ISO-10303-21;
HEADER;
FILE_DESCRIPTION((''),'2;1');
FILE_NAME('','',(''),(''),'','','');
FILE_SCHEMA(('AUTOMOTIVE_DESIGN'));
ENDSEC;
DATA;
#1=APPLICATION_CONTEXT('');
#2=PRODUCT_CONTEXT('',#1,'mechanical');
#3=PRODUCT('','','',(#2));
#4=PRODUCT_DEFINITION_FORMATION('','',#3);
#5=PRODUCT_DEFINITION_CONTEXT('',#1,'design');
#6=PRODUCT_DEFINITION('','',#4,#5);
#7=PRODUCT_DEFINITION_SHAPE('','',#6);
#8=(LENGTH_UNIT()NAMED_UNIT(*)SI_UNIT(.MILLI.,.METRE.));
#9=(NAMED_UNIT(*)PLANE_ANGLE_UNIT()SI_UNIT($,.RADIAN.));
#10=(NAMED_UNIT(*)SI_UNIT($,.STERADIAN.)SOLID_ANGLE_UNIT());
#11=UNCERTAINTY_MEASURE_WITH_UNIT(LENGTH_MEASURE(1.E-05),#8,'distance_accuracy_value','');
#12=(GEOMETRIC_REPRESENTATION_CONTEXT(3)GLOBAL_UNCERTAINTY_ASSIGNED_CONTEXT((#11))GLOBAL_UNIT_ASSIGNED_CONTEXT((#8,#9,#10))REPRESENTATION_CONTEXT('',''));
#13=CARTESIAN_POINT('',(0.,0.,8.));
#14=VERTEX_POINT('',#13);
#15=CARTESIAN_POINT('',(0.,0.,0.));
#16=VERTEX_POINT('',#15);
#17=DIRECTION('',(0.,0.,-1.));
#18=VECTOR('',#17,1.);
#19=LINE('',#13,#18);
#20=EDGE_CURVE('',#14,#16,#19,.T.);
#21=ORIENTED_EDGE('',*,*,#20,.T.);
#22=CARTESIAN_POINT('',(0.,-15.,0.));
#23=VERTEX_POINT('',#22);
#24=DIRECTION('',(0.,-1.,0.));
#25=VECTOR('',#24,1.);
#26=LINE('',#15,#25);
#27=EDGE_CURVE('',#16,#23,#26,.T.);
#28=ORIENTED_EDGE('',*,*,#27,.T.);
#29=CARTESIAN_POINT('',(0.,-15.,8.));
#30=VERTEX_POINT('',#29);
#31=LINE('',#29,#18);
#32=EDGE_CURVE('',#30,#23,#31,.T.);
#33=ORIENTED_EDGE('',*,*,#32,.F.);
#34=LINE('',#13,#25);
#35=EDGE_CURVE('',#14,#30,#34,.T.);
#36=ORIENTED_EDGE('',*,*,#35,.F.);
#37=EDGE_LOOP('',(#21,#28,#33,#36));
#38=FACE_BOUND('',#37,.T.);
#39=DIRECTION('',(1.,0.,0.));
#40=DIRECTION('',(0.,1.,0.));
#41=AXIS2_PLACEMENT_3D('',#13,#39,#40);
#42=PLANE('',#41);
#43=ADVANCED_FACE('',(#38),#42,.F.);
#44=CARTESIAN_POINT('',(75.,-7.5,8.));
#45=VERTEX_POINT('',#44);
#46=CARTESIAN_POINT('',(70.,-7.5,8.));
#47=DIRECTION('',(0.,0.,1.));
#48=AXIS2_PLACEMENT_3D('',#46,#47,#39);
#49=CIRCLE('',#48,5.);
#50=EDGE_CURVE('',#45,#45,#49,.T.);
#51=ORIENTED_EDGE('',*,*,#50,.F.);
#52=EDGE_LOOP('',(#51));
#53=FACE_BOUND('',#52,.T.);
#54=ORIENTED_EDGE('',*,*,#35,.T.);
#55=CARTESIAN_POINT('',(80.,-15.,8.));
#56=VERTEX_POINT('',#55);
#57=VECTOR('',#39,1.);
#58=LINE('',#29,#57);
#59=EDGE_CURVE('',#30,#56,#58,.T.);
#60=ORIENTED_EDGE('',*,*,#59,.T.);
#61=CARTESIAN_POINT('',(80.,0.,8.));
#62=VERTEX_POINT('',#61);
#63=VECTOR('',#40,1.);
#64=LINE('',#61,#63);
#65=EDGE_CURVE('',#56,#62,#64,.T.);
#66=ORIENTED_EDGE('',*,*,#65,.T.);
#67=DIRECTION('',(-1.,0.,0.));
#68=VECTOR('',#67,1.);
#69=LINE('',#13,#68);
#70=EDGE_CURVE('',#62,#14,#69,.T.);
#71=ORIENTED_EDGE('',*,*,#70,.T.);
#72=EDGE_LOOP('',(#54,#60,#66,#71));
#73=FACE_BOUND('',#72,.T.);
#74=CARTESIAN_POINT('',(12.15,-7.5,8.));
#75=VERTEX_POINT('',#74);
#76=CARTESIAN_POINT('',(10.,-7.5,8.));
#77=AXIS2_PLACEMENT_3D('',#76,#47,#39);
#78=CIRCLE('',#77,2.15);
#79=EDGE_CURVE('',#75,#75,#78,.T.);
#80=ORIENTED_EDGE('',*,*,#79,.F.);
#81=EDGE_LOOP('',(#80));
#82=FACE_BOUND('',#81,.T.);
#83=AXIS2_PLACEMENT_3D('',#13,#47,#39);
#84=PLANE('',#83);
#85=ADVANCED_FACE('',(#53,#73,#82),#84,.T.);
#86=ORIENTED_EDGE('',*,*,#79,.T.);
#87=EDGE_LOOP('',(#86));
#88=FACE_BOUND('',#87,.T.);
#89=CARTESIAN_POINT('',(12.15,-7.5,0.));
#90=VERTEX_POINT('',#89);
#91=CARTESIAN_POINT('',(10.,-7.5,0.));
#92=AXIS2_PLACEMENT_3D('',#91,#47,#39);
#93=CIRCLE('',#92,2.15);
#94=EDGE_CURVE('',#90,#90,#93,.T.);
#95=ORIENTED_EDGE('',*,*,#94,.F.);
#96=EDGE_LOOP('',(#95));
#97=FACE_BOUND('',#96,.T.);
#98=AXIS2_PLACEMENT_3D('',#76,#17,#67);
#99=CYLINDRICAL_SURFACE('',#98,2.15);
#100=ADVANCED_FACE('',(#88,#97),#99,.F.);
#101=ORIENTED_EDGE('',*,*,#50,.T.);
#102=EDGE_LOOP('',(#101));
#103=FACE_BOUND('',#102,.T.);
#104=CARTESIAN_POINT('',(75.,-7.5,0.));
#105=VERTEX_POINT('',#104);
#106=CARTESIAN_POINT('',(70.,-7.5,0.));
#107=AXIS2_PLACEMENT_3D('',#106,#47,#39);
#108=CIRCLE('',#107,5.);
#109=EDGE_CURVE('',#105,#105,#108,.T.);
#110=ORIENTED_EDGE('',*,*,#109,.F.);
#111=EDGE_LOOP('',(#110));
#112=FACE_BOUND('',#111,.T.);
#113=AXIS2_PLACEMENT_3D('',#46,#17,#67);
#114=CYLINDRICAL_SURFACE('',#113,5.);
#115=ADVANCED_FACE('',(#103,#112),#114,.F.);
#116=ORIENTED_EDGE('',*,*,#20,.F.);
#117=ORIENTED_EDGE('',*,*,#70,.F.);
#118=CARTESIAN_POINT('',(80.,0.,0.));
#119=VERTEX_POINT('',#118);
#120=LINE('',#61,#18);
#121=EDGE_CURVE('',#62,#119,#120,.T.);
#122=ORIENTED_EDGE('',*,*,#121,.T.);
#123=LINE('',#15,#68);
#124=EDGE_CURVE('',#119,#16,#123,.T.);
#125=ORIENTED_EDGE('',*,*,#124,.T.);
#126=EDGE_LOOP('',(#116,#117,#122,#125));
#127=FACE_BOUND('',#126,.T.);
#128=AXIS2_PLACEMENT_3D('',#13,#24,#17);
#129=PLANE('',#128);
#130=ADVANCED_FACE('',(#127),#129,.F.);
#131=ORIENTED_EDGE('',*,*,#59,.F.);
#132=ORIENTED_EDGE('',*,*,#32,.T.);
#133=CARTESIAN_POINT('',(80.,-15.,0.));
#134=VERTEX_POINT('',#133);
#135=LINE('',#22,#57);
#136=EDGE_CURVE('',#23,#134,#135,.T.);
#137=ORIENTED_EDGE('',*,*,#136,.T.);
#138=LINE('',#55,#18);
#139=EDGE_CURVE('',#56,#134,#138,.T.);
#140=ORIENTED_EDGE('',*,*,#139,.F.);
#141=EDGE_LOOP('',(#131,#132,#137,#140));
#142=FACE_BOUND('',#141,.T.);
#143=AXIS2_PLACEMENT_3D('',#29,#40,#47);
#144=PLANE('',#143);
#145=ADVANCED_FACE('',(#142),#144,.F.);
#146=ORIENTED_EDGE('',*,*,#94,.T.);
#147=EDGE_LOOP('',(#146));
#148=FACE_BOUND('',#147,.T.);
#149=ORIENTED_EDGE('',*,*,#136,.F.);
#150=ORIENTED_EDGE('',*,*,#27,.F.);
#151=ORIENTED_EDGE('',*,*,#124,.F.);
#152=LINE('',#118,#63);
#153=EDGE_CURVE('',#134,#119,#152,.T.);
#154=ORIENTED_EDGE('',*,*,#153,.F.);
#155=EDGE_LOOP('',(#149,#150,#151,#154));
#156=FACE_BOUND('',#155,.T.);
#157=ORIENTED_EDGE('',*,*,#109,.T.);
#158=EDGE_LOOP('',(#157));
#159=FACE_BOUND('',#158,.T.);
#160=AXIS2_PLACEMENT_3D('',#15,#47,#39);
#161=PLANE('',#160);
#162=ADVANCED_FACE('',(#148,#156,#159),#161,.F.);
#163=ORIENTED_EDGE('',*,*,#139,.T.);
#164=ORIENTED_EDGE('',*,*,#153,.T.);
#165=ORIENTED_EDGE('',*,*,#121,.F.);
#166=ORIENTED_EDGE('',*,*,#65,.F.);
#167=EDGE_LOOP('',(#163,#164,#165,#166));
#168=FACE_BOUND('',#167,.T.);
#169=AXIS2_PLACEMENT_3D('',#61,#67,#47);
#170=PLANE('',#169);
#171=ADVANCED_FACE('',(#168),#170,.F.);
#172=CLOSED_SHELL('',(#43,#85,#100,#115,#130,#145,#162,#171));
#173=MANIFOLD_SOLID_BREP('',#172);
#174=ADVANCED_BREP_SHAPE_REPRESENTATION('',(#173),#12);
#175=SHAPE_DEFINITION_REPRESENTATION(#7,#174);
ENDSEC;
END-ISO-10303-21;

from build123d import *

# Parameters (mm, degrees)
SKETCH1_W           = 80
SKETCH1_H           = 15
SKETCH1_R           = 2.15
SKETCH1_R_2         = 5
BOSS_EXTRUDE1_DEPTH = 8


with BuildPart() as part:
    # Sketch1 → Boss-Extrude1 (new body)
    with BuildSketch(Plane.XY):
        with Locations((40, -7.5)):
            Rectangle(SKETCH1_W, SKETCH1_H)
        with Locations((10, -7.5)):
            Circle(SKETCH1_R, mode=Mode.SUBTRACT)
        with Locations((70, -7.5)):
            Circle(SKETCH1_R_2, mode=Mode.SUBTRACT)
    extrude(amount=BOSS_EXTRUDE1_DEPTH)


solid = part.part
